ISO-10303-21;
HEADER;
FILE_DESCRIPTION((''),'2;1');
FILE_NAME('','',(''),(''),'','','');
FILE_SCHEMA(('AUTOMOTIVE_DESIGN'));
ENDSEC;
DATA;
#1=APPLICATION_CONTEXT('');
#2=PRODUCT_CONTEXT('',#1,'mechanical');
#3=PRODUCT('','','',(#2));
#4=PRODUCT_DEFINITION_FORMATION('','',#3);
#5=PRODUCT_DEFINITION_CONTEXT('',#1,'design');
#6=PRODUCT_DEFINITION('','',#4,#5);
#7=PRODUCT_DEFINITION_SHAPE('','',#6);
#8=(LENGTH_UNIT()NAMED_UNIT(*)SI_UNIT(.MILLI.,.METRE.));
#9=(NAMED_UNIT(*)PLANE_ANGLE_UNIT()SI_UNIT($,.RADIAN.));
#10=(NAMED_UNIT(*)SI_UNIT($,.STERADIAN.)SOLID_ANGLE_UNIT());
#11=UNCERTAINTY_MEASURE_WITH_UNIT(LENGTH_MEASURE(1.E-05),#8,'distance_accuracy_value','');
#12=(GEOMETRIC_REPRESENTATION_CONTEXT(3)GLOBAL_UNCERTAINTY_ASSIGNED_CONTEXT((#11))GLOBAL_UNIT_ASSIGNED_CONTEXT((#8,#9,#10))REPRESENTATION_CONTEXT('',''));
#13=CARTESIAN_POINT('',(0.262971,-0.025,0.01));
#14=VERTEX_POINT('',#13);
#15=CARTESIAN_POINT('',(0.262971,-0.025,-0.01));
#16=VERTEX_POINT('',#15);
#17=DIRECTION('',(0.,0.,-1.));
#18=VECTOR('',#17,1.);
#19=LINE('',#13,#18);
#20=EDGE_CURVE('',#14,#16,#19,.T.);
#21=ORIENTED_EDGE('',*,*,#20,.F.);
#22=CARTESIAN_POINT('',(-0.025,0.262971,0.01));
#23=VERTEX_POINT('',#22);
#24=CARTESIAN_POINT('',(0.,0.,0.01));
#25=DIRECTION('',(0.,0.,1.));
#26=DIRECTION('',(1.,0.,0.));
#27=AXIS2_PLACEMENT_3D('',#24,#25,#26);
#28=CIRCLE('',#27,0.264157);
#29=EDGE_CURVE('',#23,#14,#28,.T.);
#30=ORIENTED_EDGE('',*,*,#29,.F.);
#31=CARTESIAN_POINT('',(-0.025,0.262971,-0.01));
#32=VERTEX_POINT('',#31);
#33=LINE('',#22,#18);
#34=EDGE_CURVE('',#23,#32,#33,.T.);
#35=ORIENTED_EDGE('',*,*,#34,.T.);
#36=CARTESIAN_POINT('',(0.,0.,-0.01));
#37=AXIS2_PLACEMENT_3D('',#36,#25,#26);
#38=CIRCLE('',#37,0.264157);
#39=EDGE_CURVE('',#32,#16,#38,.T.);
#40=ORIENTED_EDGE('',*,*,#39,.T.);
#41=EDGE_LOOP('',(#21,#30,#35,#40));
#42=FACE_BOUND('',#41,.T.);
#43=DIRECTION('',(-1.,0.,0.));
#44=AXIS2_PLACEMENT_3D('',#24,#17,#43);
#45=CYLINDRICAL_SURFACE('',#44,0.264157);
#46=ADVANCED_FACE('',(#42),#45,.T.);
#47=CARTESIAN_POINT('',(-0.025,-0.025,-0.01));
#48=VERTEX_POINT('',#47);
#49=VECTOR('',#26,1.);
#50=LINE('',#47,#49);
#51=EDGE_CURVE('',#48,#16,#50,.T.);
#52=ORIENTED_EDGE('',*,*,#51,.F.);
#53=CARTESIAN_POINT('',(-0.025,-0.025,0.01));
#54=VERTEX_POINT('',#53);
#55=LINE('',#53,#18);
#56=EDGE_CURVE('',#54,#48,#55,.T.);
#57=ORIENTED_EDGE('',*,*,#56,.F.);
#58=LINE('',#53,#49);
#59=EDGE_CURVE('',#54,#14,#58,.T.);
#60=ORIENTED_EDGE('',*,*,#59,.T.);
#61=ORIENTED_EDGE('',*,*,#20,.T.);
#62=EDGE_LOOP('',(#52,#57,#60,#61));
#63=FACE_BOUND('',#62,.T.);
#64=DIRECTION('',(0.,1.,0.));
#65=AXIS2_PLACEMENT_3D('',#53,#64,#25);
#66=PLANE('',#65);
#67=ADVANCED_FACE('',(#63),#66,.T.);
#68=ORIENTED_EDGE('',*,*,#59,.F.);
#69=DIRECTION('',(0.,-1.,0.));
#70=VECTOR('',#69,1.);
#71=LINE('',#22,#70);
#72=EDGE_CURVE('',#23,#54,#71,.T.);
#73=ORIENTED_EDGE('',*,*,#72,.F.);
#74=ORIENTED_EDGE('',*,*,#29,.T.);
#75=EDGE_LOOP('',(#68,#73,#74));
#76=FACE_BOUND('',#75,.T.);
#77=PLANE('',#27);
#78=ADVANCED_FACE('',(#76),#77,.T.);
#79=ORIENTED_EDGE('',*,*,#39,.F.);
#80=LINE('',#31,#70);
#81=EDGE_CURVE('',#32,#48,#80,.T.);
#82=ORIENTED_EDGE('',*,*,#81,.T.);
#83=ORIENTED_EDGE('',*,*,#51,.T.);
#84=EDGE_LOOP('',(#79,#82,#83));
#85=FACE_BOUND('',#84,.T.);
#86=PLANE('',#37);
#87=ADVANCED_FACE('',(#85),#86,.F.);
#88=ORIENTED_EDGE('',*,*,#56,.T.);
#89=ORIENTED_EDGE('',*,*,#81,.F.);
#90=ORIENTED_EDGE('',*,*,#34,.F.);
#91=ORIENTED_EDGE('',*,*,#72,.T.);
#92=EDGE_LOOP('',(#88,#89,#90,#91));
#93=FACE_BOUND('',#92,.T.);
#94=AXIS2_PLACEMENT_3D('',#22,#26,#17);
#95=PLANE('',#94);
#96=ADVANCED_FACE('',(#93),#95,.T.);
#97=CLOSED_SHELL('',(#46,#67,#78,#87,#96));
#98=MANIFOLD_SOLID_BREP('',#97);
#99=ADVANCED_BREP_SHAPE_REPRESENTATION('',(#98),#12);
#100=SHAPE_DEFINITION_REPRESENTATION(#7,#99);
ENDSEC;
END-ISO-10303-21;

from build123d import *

# Parameters (mm, degrees)
BOSS_EXTRUDE1_DEPTH = 0.01


with BuildPart() as part:
    # Sketch2 → Boss-Extrude1 (new, symmetric)
    with BuildSketch(Plane.XY):
        with BuildLine():
            Line((-0.025, -0.025), (0.26297134, -0.025))
            ThreePointArc((0.26297134, -0.025), (-0.186787212, -0.186787212), (-0.025, 0.26297134))
            Line((-0.025, 0.26297134), (-0.025, -0.025))
        make_face()
    extrude(amount=BOSS_EXTRUDE1_DEPTH, both=True)


solid = part.part
